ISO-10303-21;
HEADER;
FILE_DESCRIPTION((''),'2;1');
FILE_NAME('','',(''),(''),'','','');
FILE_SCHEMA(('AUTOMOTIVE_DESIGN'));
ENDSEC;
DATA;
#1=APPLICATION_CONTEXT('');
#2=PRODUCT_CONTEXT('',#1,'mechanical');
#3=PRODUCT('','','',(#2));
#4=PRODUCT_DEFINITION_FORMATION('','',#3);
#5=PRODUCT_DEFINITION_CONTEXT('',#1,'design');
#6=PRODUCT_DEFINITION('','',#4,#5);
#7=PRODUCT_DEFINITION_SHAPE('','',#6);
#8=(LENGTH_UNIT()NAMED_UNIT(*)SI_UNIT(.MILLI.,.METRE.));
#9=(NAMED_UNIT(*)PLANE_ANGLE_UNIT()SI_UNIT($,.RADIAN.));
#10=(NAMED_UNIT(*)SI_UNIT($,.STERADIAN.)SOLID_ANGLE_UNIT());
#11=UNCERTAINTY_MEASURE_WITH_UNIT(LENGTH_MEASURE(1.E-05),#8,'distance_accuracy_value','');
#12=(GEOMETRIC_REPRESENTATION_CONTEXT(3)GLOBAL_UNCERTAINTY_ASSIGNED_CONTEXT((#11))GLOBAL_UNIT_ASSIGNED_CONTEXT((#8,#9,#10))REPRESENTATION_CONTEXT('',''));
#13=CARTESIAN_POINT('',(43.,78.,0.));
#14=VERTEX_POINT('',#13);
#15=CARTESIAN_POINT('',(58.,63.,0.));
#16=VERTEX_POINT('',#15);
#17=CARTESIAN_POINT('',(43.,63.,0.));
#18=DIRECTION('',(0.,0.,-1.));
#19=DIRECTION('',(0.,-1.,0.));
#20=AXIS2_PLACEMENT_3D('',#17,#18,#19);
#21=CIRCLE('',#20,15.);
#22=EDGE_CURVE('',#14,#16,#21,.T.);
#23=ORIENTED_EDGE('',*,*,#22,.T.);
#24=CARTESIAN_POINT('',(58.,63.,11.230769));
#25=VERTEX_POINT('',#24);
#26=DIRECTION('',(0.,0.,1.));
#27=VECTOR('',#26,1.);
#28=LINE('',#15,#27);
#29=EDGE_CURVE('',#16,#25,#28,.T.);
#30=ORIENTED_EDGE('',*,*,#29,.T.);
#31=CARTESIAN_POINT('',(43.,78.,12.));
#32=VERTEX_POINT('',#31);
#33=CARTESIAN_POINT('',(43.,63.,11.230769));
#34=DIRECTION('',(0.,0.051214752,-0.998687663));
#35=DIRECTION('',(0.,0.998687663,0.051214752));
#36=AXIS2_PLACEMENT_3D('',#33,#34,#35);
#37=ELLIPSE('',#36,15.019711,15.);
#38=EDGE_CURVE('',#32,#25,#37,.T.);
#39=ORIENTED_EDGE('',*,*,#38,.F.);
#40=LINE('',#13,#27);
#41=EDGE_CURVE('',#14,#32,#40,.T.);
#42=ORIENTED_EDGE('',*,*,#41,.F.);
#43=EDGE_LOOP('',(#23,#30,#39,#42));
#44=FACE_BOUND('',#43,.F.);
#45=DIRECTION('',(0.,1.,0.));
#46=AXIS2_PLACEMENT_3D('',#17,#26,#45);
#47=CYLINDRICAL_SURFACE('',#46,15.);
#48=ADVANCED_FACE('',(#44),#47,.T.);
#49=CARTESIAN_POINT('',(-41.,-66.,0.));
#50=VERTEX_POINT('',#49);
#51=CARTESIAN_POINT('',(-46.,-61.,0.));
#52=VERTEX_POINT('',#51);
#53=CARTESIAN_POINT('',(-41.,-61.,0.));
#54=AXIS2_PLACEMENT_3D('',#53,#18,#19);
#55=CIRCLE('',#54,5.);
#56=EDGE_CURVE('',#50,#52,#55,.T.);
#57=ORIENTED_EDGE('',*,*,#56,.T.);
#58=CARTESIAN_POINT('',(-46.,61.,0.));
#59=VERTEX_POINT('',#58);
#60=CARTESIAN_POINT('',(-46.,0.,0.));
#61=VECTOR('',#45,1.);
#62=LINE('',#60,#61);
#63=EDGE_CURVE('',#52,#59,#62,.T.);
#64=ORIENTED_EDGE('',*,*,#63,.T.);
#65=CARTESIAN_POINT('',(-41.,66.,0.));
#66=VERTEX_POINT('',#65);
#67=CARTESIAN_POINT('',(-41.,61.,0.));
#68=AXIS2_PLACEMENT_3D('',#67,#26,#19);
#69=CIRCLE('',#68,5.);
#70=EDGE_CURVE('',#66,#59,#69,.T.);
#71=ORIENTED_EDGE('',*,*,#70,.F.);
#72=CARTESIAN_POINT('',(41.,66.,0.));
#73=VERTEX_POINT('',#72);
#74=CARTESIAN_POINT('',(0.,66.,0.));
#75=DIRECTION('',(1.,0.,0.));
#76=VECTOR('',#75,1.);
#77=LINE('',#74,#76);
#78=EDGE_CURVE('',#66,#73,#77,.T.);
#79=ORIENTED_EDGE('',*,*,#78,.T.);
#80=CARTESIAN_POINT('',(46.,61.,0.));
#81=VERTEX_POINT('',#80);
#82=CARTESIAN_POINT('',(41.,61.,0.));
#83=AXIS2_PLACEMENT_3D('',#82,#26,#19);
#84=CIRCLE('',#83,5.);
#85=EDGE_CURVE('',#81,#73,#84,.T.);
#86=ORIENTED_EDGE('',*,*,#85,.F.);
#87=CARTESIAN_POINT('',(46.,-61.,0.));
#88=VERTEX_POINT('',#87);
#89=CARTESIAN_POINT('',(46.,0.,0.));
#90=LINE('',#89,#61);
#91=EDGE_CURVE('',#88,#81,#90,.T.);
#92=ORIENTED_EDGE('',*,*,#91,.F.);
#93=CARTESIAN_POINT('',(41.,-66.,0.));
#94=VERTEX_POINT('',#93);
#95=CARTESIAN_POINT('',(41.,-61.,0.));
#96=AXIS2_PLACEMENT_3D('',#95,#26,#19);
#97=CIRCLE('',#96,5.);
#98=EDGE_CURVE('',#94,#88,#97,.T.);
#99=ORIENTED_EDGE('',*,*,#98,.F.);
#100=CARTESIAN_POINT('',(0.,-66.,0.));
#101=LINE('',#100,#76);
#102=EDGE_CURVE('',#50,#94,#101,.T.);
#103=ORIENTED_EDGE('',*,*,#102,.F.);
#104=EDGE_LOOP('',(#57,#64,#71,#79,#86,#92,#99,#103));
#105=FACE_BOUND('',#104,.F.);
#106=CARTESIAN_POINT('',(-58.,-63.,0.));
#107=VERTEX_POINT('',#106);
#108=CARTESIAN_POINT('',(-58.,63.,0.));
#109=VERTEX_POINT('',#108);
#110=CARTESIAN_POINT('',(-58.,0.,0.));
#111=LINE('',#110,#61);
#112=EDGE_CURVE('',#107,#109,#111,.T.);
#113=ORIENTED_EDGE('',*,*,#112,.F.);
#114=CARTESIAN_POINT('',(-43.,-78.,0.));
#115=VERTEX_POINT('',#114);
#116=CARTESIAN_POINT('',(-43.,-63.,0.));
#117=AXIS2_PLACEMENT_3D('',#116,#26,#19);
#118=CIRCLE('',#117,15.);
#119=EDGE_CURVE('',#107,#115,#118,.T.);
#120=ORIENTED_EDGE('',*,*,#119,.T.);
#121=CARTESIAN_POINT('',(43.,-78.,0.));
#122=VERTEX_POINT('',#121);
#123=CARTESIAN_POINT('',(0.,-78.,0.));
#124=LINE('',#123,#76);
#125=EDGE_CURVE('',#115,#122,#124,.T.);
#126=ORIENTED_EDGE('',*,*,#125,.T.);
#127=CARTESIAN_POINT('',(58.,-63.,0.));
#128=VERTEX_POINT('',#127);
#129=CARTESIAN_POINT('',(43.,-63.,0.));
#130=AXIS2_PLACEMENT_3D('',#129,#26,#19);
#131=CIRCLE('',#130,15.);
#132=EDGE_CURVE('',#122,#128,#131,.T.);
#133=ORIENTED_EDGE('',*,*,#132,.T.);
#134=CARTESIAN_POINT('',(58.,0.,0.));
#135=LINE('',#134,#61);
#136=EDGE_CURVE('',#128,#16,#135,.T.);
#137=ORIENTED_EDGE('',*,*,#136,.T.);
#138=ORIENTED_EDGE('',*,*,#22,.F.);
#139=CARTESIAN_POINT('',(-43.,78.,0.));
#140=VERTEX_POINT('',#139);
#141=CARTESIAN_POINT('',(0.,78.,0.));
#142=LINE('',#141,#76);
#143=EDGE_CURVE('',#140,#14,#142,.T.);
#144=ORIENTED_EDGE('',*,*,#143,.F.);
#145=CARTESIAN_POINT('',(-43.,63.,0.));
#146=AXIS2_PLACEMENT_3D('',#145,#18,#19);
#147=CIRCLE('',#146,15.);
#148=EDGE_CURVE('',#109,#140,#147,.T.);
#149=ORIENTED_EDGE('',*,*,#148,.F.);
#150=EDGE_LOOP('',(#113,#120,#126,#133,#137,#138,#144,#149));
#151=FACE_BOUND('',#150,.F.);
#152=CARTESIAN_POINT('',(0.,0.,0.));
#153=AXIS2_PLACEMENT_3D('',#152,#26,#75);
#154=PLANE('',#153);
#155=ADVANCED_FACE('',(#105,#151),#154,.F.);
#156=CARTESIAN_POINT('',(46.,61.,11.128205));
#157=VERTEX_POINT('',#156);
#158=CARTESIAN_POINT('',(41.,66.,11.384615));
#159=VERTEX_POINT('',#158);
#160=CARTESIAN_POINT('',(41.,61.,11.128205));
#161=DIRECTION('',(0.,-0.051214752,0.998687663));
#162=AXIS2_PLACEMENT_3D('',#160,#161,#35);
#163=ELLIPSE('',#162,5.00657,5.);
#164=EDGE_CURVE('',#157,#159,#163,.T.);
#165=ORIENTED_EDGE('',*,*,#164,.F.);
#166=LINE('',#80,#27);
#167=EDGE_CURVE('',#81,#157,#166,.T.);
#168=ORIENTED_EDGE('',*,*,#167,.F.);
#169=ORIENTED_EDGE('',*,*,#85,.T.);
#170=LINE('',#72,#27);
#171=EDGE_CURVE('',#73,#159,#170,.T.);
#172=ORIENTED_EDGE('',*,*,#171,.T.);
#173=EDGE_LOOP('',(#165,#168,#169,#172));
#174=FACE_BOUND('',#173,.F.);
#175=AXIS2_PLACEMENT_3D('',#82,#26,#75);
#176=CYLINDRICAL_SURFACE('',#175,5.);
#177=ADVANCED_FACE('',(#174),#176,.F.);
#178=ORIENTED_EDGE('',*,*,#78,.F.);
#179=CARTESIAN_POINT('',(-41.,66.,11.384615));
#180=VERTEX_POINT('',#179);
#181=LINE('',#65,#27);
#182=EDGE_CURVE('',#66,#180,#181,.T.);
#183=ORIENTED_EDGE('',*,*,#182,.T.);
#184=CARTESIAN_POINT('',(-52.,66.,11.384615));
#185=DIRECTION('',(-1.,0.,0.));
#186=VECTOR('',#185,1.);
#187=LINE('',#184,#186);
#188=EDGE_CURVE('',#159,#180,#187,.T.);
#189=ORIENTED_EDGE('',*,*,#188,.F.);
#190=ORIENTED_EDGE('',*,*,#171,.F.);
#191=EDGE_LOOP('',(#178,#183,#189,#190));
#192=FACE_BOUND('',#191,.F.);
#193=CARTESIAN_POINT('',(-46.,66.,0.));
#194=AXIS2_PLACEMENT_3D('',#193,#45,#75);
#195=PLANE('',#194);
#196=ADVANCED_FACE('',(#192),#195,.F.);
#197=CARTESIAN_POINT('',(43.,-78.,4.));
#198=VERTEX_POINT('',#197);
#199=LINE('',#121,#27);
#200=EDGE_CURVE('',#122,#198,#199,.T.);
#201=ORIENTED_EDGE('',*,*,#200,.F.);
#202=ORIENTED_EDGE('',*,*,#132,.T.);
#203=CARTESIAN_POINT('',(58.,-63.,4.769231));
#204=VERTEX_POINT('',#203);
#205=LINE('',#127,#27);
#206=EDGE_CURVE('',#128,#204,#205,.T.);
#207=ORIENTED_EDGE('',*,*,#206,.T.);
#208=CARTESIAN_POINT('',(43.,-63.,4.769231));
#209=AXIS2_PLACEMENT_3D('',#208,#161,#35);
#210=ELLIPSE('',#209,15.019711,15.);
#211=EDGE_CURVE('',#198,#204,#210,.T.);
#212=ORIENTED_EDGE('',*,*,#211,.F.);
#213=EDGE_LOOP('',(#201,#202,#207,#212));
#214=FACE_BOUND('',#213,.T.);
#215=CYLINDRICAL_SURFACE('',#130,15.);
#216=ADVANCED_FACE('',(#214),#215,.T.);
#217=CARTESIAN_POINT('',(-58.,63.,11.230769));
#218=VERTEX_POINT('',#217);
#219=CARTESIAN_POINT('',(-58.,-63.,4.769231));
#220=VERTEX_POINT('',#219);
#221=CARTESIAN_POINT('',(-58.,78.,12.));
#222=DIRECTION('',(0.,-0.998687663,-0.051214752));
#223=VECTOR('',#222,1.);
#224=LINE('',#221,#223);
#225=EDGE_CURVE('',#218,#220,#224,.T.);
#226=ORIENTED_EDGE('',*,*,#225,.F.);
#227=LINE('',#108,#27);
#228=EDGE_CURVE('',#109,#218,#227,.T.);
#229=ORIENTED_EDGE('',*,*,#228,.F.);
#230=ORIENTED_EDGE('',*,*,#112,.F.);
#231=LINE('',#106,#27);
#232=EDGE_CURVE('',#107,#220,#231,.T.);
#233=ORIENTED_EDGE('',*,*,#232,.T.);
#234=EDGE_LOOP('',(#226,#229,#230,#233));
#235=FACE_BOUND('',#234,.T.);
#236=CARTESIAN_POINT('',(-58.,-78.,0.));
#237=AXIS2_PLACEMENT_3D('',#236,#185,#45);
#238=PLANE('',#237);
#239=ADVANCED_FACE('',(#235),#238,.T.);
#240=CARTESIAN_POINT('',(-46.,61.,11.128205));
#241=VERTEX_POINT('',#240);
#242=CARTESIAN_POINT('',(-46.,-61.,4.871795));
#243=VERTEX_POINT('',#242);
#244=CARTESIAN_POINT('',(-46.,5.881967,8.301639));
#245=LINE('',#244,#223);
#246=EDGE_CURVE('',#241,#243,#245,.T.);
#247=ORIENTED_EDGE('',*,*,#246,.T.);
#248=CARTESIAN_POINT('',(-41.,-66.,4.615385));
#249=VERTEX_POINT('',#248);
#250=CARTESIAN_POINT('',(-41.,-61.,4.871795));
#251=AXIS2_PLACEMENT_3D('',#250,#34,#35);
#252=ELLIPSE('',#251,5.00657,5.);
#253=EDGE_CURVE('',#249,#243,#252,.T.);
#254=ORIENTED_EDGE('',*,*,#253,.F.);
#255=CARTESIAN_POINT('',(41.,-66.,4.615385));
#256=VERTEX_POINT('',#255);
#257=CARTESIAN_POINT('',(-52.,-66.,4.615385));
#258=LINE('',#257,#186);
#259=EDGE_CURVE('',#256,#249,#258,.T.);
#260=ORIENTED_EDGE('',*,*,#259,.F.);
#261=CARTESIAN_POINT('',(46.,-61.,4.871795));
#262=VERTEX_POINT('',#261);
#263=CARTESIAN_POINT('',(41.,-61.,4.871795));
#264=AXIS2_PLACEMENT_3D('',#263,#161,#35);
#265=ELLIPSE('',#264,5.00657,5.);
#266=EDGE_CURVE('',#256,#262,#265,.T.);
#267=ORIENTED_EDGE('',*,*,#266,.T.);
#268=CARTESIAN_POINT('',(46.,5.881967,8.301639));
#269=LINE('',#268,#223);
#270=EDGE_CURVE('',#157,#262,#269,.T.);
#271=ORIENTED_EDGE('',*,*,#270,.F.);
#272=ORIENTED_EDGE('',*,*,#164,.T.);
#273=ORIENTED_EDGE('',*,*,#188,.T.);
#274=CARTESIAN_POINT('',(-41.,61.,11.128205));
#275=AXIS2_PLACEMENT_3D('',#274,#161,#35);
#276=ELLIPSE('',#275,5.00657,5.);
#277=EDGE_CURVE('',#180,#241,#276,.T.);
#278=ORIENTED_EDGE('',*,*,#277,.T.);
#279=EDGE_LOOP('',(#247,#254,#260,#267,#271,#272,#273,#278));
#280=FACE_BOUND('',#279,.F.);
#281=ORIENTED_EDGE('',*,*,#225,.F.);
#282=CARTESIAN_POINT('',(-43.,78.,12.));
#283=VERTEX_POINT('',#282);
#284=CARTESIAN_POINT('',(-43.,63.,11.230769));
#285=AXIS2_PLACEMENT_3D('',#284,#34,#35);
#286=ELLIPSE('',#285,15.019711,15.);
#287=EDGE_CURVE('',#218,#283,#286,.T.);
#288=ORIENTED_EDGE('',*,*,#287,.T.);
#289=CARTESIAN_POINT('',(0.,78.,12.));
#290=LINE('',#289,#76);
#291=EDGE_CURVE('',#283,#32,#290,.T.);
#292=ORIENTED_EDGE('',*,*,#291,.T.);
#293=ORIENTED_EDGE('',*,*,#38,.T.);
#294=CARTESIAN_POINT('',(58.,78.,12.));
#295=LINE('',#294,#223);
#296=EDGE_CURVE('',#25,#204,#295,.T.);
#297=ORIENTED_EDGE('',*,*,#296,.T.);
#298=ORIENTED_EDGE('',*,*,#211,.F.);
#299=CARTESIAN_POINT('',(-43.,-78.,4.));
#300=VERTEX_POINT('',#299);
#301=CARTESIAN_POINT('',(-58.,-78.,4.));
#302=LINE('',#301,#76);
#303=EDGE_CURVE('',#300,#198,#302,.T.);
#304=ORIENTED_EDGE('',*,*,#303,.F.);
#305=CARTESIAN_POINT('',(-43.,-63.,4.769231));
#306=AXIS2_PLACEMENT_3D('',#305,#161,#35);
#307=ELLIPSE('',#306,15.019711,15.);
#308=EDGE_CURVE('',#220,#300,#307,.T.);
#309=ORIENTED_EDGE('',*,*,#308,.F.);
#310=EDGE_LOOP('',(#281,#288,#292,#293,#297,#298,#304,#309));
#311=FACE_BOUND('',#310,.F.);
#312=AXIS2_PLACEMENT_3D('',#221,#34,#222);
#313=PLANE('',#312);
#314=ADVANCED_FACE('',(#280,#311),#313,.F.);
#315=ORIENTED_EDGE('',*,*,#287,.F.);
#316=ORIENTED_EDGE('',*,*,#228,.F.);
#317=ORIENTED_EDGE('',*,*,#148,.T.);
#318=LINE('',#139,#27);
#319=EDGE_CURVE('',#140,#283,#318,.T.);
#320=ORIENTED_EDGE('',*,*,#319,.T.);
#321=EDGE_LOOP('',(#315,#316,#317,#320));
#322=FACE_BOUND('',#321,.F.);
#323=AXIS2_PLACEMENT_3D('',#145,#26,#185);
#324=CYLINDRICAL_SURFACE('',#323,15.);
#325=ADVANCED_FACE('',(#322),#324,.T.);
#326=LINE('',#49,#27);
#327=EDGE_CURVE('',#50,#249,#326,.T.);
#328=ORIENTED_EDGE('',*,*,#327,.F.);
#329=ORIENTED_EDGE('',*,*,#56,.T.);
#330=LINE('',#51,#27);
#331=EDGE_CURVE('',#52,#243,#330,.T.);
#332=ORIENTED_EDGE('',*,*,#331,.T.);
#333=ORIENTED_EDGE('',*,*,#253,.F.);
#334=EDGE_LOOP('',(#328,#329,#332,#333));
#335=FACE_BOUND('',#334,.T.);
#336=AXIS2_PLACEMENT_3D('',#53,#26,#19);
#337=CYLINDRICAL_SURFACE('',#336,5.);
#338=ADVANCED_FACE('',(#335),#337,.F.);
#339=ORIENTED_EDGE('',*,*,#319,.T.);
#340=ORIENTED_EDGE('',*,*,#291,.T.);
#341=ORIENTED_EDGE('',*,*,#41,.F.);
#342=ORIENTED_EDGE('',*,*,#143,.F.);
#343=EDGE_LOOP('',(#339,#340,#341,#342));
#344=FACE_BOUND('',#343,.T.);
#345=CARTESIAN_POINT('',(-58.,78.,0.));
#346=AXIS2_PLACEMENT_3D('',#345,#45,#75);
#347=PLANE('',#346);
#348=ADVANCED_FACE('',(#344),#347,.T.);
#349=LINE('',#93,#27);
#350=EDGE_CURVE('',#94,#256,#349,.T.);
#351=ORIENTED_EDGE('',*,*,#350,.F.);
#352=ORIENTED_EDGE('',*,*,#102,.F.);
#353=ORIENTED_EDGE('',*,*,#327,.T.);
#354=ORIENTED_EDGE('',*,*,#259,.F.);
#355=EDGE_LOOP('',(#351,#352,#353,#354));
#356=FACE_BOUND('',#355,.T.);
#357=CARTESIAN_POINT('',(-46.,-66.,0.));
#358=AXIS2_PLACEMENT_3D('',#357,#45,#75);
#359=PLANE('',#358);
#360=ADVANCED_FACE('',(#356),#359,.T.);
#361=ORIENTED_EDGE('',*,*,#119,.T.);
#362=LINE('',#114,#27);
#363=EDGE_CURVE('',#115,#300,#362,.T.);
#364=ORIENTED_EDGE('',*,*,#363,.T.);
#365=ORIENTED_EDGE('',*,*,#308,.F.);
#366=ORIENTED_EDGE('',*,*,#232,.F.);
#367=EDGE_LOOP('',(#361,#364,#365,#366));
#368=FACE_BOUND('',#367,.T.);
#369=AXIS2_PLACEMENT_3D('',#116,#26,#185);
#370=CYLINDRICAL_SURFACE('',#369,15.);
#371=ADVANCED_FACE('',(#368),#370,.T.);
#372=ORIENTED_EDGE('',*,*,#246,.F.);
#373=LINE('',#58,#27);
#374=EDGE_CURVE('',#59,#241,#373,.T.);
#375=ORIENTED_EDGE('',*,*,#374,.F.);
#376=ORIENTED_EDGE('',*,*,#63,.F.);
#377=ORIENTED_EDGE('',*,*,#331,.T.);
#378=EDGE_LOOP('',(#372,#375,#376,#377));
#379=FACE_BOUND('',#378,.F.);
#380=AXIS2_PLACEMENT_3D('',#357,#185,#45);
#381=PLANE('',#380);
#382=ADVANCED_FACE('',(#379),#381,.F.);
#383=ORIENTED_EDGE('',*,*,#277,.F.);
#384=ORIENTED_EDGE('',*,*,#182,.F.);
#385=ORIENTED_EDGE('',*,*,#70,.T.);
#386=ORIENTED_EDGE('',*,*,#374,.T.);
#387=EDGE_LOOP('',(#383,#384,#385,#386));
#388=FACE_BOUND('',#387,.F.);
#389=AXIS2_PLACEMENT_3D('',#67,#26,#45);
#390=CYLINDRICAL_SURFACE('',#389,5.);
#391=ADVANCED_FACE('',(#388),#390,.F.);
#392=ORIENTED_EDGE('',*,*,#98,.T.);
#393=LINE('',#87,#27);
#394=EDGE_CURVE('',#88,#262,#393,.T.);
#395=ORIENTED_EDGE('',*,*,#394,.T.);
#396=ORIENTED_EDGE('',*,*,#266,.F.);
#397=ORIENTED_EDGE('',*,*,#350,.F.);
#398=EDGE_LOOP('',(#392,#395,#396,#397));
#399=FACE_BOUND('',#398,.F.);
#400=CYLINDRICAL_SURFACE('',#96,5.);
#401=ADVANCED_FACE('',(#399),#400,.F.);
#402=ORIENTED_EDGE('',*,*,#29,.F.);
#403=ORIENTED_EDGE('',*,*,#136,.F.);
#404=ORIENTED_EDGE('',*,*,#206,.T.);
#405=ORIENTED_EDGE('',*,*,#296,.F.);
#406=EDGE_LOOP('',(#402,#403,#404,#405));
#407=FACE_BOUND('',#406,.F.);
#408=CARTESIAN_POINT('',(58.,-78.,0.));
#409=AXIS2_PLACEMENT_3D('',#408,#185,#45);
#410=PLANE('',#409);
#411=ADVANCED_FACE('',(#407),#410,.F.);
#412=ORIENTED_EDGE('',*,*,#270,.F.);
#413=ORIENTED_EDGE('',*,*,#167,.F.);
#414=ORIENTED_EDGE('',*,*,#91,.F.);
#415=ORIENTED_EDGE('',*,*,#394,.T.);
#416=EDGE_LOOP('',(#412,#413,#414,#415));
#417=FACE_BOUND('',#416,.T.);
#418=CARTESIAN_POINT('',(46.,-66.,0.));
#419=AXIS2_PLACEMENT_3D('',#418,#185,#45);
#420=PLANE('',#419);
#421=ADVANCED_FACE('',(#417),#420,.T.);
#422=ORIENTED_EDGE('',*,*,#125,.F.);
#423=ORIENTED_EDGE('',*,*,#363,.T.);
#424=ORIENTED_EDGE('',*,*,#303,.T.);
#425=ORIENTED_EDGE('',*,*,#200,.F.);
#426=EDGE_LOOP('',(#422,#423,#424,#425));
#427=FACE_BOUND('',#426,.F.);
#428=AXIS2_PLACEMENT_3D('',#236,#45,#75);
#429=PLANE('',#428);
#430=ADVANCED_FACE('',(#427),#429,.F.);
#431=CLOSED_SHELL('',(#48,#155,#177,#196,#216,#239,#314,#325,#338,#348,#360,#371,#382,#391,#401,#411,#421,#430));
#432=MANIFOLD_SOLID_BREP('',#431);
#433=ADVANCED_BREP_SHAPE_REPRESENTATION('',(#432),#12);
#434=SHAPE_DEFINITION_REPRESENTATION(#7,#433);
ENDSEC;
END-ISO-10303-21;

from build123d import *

# Parameters (mm, degrees)
F0_W     = 116
F0_H     = 156
F0_W_2   = 92
F0_H_2   = 132
F1_DEPTH = 12
F3_DEPTH = 116
F4_R     = 5
F5_R     = 15


with BuildPart() as f1:
    # F0 (on Top) → F1 (new body)
    with BuildSketch(Plane.XY):
        Rectangle(F0_W, F0_H)
        Rectangle(F0_W_2, F0_H_2, mode=Mode.SUBTRACT)
    extrude(amount=F1_DEPTH)

    # F2 (on face) → F3 (cut, through all)
    with BuildSketch(Plane(origin=(-58, 0, 0), x_dir=(0, -1, 0), z_dir=(-1, 0, 0))):
        Polygon((-78, 12), (78, 4), (78, 12), align=None)
    extrude(amount=-F3_DEPTH, mode=Mode.SUBTRACT)

    # F4
    f4_edges = [f1.edges().sort_by_distance(p)[0] for p in [
        (46, 66, 5.692308),
        (-46, 66, 5.692308),
        (-46, -66, 2.307692),
        (46, -66, 2.307692),
    ]]
    fillet(f4_edges, radius=F4_R)

    # F5
    f5_edges = [f1.edges().sort_by_distance(p)[0] for p in [
        (58, -78, 2),
        (-58, -78, 2),
        (-58, 78, 6),
        (58, 78, 6),
    ]]
    fillet(f5_edges, radius=F5_R)


solid = f1.part
